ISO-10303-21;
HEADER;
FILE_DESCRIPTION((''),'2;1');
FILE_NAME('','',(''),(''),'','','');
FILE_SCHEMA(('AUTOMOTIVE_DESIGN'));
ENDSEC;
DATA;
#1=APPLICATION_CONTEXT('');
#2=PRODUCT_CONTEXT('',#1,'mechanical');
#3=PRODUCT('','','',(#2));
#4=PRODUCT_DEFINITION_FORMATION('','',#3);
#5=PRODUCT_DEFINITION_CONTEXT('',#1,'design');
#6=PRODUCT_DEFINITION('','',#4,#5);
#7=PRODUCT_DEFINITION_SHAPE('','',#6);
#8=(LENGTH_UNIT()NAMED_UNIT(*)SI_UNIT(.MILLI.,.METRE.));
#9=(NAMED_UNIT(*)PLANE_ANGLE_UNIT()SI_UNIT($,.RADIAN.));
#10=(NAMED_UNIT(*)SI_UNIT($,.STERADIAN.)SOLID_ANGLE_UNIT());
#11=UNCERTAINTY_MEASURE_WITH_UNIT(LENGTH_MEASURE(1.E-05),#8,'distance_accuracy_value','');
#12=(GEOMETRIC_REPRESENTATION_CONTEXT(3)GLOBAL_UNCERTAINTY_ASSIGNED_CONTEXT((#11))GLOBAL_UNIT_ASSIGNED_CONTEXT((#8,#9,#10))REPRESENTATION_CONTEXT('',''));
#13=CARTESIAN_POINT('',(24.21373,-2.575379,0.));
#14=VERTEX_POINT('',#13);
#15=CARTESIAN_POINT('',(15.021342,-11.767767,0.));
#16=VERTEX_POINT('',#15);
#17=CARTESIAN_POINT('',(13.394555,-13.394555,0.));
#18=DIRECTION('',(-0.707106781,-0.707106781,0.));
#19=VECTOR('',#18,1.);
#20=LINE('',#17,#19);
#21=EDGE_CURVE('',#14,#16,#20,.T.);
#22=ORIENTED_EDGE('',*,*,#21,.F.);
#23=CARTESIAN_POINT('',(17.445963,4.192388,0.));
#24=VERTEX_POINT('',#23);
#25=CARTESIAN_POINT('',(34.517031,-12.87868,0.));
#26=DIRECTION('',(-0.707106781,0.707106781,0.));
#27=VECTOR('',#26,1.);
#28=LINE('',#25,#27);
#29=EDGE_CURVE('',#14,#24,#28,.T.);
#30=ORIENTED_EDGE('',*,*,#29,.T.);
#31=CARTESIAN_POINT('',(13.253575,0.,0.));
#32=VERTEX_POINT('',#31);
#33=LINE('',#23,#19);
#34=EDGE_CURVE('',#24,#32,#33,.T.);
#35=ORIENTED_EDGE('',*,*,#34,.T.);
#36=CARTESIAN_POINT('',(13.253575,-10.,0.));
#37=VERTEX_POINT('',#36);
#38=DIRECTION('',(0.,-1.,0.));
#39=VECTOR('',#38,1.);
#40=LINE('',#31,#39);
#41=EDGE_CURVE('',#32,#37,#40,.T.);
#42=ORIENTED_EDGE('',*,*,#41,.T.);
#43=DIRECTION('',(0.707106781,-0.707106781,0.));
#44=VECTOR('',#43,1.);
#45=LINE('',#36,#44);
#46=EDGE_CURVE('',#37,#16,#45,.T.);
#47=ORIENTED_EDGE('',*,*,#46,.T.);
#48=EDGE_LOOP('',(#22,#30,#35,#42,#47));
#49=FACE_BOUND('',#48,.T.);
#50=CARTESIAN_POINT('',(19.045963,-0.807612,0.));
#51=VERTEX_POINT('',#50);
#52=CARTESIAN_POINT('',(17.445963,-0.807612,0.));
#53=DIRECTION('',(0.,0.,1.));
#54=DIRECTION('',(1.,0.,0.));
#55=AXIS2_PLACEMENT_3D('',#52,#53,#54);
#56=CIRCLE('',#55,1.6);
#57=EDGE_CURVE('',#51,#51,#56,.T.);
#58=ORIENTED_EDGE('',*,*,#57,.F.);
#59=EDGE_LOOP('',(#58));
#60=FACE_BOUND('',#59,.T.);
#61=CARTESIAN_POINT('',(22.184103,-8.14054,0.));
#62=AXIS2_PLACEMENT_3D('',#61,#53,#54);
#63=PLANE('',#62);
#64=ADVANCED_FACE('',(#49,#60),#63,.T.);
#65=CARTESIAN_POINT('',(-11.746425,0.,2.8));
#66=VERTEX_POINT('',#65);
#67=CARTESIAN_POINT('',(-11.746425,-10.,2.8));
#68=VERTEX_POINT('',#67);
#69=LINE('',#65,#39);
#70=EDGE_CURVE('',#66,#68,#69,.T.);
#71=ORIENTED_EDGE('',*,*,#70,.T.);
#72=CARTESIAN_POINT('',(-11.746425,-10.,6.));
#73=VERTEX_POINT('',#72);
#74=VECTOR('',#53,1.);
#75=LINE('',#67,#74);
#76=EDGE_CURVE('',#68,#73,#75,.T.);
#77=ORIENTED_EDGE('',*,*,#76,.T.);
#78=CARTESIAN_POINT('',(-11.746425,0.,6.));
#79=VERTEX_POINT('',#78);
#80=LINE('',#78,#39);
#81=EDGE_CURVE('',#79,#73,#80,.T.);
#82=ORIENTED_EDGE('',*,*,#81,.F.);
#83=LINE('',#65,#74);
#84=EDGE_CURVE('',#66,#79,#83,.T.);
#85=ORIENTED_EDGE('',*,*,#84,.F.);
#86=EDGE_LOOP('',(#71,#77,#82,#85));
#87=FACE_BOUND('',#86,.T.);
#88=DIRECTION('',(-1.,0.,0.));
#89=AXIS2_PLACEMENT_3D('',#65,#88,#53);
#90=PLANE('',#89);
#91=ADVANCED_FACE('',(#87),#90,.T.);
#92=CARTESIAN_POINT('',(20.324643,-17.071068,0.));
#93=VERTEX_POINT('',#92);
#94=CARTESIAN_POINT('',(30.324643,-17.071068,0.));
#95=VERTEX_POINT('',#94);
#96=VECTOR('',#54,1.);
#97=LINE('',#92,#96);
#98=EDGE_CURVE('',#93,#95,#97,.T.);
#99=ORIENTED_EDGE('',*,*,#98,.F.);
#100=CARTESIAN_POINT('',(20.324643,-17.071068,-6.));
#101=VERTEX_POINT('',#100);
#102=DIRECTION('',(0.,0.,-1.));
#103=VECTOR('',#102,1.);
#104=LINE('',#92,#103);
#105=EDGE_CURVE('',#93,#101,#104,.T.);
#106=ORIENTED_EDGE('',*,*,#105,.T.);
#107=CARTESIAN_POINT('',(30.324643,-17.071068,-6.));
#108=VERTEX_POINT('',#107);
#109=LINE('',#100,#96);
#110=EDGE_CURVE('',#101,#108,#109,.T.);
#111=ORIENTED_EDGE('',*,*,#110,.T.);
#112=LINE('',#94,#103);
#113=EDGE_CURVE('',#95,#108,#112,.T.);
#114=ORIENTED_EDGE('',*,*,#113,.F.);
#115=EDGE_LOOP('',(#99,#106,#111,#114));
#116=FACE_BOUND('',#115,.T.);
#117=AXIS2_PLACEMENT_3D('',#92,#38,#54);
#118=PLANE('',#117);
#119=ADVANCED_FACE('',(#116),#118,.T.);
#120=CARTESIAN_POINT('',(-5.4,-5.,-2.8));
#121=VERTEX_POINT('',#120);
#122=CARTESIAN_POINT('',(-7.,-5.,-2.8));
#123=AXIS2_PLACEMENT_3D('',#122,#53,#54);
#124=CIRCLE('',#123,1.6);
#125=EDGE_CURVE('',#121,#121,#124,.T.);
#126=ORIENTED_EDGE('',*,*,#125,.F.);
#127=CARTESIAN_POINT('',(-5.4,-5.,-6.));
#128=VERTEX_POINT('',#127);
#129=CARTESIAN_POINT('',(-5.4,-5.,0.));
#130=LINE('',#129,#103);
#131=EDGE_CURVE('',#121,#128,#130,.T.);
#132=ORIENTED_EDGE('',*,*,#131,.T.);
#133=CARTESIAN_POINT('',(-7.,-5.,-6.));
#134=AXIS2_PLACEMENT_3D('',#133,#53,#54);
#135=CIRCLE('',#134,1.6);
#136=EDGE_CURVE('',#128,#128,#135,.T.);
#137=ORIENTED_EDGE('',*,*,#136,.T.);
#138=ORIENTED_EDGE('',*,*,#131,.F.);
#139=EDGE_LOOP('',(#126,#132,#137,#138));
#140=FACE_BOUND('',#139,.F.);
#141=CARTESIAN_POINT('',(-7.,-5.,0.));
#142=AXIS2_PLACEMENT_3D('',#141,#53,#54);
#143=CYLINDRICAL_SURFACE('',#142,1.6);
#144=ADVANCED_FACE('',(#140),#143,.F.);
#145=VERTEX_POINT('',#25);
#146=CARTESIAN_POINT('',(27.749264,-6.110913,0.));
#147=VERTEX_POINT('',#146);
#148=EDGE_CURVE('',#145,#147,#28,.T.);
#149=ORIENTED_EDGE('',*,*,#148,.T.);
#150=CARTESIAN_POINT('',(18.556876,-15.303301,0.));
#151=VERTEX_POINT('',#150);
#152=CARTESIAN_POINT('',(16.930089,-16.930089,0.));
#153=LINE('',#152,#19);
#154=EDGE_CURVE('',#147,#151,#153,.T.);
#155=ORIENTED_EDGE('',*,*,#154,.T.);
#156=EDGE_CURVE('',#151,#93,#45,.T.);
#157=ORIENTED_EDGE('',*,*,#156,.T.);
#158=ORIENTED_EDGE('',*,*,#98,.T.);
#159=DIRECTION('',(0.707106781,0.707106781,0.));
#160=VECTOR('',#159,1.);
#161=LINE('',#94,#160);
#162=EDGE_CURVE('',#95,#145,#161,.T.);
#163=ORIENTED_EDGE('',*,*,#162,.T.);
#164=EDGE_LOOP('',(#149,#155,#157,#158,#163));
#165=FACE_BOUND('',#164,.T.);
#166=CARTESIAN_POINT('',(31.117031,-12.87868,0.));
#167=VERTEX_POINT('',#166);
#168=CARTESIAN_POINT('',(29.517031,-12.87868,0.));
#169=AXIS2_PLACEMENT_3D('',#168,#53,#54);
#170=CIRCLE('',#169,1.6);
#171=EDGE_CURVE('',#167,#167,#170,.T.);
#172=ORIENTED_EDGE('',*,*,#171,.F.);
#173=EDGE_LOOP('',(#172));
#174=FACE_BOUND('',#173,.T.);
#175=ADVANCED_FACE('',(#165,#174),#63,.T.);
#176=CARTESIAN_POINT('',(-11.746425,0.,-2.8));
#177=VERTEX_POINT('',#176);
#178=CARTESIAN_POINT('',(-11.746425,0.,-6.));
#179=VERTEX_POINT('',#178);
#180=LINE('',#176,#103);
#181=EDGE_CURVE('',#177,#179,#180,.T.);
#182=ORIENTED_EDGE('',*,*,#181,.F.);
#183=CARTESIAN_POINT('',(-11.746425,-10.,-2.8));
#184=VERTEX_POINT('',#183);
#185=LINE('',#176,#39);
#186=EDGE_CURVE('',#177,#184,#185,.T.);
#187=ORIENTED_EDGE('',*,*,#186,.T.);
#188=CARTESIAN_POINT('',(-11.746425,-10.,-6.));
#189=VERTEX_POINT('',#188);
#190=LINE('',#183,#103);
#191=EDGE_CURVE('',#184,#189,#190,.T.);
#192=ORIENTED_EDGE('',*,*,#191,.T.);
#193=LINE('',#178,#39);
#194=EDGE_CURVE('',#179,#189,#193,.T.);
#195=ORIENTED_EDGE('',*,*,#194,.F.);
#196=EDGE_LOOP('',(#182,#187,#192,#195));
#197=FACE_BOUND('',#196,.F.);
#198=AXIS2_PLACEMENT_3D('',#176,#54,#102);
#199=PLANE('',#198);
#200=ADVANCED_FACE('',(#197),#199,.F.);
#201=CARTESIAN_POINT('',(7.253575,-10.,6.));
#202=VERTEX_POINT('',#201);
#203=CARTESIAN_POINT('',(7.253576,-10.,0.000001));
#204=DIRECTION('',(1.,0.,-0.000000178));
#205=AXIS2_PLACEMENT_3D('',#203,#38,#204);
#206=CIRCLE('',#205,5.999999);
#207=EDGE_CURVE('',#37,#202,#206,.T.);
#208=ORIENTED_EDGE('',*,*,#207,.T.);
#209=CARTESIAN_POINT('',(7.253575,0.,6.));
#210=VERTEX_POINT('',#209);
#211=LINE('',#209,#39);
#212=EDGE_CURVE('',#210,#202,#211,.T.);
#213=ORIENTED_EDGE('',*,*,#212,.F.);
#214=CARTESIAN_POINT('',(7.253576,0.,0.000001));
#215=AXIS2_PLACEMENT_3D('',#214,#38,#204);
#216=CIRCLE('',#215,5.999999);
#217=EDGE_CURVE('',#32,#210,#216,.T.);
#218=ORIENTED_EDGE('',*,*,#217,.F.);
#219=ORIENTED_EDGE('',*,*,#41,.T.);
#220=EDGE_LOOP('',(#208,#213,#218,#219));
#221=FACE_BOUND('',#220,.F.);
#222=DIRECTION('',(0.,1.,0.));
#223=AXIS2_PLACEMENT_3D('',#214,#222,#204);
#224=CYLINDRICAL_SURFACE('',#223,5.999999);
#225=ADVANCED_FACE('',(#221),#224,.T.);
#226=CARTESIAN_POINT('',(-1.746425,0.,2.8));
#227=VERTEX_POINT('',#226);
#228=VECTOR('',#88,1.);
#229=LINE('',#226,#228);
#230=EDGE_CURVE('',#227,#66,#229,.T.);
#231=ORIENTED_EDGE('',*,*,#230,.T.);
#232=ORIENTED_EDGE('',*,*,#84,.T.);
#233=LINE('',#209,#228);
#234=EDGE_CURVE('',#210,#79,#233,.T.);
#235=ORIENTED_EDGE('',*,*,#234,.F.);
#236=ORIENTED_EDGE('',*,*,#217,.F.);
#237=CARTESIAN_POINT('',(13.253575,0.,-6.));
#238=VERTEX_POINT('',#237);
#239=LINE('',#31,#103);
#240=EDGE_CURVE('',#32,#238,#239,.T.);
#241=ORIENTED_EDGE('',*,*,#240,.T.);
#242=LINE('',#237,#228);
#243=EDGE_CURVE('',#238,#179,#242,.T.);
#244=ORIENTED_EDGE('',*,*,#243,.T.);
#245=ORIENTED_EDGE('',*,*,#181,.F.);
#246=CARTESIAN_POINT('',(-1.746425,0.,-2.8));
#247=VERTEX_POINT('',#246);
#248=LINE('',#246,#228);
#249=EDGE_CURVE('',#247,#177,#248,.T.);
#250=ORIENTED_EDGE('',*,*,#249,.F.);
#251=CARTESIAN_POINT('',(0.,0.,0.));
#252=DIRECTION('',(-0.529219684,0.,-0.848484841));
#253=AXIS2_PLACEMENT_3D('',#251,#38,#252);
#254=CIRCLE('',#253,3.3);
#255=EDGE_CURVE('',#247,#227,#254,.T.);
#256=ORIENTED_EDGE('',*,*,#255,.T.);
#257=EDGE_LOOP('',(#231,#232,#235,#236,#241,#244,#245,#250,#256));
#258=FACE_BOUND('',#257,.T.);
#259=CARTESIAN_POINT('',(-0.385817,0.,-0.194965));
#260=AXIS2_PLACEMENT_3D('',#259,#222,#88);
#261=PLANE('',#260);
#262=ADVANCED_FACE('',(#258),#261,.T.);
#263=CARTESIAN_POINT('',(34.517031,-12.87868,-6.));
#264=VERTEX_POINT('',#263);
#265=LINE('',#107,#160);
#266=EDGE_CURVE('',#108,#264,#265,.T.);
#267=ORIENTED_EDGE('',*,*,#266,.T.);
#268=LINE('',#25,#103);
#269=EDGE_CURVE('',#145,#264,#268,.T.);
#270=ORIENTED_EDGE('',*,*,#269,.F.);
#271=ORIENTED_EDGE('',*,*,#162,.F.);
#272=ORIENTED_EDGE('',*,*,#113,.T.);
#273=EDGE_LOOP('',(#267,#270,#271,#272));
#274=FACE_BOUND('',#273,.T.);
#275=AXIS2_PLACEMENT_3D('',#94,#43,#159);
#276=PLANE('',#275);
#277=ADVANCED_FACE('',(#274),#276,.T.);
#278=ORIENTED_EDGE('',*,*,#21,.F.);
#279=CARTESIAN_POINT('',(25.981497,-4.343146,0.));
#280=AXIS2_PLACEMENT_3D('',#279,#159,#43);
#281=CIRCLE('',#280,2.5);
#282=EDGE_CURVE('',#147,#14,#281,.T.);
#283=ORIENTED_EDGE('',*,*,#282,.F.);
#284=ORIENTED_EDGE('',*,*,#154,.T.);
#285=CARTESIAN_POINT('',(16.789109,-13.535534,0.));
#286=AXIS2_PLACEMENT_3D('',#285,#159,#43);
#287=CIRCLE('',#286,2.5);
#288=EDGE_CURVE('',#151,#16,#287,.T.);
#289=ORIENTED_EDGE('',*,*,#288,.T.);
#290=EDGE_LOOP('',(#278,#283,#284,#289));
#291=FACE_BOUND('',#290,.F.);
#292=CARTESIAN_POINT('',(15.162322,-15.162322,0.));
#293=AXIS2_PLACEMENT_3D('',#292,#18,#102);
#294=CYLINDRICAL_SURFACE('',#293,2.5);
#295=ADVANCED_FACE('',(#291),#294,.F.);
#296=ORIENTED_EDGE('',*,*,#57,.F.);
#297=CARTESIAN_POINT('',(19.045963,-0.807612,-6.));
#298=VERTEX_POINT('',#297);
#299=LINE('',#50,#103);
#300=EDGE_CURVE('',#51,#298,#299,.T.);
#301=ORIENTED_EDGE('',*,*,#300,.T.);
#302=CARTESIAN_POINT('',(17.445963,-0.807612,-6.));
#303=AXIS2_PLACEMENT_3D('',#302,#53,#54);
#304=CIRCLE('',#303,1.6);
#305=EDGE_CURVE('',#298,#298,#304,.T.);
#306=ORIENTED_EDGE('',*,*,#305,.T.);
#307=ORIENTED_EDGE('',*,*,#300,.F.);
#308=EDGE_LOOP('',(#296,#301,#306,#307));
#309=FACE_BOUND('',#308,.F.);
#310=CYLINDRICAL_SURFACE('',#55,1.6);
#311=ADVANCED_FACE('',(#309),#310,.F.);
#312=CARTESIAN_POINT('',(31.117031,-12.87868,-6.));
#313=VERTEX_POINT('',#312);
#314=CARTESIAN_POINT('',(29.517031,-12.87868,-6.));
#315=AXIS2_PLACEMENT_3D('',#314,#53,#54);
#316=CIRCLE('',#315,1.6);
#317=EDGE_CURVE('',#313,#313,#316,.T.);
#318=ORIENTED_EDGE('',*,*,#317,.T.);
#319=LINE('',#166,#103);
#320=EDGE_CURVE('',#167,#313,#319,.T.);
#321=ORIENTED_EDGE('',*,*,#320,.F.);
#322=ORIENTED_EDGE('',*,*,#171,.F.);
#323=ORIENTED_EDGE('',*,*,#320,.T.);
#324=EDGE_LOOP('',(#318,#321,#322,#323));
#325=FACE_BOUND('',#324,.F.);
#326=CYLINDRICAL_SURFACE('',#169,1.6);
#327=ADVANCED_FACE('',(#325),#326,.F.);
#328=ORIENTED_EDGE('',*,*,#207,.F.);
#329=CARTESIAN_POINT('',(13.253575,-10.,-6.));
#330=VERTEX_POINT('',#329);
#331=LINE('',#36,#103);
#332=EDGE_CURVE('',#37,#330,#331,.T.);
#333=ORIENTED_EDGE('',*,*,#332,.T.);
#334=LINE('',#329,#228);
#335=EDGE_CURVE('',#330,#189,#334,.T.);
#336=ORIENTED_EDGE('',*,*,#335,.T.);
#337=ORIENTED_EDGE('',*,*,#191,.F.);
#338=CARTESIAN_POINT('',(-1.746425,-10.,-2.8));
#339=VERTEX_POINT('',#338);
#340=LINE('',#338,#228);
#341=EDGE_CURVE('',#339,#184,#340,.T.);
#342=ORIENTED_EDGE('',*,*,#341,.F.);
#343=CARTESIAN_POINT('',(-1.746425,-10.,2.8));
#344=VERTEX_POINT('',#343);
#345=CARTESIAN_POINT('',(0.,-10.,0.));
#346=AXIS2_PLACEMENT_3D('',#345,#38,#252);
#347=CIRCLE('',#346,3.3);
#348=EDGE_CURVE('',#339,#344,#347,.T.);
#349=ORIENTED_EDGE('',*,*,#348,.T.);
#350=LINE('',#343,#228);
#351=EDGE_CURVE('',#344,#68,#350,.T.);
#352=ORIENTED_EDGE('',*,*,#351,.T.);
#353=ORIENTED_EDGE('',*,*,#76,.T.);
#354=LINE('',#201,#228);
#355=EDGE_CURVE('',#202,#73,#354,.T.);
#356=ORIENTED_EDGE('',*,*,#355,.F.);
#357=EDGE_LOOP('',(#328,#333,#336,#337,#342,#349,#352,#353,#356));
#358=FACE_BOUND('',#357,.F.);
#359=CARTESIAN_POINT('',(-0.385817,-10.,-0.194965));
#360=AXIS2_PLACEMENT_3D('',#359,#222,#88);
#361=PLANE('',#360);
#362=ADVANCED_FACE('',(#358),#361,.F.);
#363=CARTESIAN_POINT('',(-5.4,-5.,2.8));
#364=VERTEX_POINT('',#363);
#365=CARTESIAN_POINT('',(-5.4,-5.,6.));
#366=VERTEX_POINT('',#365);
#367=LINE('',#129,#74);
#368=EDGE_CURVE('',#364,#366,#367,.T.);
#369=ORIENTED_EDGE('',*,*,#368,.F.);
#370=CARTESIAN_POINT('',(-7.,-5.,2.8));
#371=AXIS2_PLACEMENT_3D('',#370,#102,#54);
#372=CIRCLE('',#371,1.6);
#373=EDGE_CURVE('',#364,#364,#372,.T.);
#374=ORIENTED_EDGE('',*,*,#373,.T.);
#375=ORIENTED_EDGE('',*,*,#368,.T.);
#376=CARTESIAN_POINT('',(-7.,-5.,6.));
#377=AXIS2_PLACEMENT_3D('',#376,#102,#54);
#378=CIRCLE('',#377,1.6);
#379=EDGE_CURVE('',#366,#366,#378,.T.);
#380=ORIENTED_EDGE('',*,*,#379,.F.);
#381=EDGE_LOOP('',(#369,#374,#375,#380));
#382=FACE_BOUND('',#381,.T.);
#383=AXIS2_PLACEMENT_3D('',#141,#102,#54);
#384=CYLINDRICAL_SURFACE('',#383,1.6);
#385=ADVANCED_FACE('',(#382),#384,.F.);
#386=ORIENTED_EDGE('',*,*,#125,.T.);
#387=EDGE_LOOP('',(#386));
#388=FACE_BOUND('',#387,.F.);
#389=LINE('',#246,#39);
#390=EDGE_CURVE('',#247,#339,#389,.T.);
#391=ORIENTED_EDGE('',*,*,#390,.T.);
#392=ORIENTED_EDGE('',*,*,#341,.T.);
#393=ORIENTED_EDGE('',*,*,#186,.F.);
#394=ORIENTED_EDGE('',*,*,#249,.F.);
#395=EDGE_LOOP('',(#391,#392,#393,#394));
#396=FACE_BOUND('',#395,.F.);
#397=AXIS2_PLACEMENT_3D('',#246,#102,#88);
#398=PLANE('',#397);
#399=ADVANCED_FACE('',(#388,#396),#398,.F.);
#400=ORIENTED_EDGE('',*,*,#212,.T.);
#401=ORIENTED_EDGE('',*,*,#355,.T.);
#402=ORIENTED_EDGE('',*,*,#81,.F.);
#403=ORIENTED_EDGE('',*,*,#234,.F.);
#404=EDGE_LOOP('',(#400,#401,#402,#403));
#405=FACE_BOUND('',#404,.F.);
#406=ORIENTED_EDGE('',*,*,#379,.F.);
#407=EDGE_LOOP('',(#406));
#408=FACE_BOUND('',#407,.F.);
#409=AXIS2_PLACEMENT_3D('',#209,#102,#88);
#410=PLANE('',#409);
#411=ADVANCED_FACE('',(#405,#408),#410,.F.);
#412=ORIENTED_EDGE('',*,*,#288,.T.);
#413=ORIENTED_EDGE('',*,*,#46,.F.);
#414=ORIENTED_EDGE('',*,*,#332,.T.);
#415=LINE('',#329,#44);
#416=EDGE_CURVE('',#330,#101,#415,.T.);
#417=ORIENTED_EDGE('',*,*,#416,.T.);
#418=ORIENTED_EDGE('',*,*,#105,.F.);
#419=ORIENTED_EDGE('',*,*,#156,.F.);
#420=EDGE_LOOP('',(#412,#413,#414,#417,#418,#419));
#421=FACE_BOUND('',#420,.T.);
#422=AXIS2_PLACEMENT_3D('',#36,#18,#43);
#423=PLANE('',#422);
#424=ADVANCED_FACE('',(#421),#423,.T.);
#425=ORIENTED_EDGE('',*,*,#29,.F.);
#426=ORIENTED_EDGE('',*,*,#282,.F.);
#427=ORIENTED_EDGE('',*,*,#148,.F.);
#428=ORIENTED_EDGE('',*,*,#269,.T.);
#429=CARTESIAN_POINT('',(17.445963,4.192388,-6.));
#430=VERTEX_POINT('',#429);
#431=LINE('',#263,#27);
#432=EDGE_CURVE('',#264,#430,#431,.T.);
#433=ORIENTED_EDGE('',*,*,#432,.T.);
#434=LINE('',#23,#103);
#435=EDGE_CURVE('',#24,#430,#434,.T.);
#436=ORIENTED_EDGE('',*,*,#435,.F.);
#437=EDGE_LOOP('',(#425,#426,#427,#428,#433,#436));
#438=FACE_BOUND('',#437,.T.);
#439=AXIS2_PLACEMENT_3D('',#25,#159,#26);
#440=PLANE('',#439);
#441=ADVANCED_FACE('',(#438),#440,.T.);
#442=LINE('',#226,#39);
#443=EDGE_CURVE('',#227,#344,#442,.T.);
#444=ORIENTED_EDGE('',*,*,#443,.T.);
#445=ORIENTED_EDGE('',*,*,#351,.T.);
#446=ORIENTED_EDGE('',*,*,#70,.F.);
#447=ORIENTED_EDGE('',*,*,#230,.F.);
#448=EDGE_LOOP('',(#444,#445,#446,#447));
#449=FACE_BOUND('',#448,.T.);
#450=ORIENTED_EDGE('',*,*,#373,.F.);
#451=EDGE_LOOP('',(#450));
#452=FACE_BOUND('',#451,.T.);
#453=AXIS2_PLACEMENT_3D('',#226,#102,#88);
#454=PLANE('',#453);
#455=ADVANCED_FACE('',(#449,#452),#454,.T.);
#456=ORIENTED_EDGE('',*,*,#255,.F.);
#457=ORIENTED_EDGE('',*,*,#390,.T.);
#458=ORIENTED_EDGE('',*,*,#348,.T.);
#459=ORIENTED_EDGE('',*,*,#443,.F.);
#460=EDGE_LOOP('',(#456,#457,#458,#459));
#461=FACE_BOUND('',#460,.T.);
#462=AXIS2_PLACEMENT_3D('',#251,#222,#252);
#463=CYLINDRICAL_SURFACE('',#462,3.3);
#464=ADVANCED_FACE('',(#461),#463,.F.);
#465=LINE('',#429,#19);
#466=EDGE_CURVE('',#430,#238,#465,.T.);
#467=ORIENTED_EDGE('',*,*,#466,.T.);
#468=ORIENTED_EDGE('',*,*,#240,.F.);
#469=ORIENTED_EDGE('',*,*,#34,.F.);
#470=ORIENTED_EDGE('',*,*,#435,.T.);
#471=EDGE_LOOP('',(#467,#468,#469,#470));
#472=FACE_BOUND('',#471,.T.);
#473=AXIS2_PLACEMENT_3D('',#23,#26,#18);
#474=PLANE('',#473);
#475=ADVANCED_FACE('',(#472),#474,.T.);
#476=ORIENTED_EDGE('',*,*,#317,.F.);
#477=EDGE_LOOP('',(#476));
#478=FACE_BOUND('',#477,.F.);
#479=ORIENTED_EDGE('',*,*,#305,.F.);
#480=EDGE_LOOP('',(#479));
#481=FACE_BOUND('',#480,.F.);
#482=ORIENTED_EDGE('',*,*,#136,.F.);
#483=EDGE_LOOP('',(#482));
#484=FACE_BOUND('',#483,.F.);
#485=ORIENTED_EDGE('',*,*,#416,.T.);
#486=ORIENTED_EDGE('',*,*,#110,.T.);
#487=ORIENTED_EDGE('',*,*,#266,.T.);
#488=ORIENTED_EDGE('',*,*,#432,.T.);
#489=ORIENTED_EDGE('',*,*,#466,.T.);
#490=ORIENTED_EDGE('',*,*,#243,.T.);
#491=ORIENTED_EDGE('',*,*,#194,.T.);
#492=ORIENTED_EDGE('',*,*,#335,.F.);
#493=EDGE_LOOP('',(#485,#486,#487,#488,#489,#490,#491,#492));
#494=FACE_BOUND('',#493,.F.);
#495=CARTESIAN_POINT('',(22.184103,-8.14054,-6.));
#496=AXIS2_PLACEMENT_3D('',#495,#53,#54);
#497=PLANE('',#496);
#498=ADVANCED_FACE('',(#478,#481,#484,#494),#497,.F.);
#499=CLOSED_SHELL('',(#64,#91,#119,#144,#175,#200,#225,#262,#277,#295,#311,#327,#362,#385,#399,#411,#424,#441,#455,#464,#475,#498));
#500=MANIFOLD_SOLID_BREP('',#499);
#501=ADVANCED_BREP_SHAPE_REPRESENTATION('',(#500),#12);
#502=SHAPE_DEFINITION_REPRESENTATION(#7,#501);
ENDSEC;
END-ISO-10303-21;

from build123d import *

# Parameters (mm, degrees)
PAD_DEPTH            = 10
SKETCH_R             = 1.6
PAD001_DEPTH         = 6
SKETCH004_R          = 2.5
POCKET_DEPTH         = 27.372693
SKETCH005_R          = 1.6
POCKET001_DEPTH      = 6.001
POCKET001_DEPTH_BACK = -6.001


with BuildPart() as part:
    # Sketch003 → Pad (new body)
    with BuildSketch(Plane.XZ):
        with BuildLine():
            Line((13.253575, -6), (-11.746425, -6))
            Line((-11.746425, -2.8), (-11.746425, -6))
            Line((-1.746425, -2.8), (-11.746425, -2.8))
            ThreePointArc((-1.746425, -2.8), (3.3, 0), (-1.746425, 2.8))
            Line((-1.746425, 2.8), (-11.746425, 2.8))
            Line((-11.746425, 2.8), (-11.746425, 6))
            Line((7.253575, 6), (-11.746425, 6))
            ThreePointArc((13.253575, 0), (11.496216, 4.242641), (7.253575, 6))
            Line((13.253575, 0), (13.253575, -6))
        make_face()
    extrude(amount=PAD_DEPTH)

    # Sketch → Pad001 (join)
    with BuildSketch(Plane.XY):
        Polygon((13.253575, -10), (20.324643, -17.071068), (30.324643, -17.071068), (34.517031, -12.87868), (17.445963, 4.192388), (13.253575, 0), align=None)
        with Locations((17.445963, -0.807612)):
            Circle(SKETCH_R, mode=Mode.SUBTRACT)
        with Locations((29.517031, -12.87868)):
            Circle(SKETCH_R, mode=Mode.SUBTRACT)
    extrude(amount=-PAD001_DEPTH)

    # Sketch004 (on DatumPlane) → Pocket (cut, through all)
    with BuildSketch(Plane(origin=(0, 0, 3.5), x_dir=(0, 0, -1), z_dir=(-0.707107, -0.707107, 0))):
        with Locations((3.5, 21.442761)):
            Circle(SKETCH004_R)
    extrude(amount=-POCKET_DEPTH, mode=Mode.SUBTRACT)

    # Sketch005 → Pocket001 (cut, two sides)
    with BuildSketch(Plane.XY) as pocket001_sk:
        with Locations((-7, -5)):
            Circle(SKETCH005_R)
    extrude(amount=-POCKET001_DEPTH, mode=Mode.SUBTRACT)
    extrude(pocket001_sk.sketch, amount=-POCKET001_DEPTH_BACK, mode=Mode.SUBTRACT)


solid = part.part
